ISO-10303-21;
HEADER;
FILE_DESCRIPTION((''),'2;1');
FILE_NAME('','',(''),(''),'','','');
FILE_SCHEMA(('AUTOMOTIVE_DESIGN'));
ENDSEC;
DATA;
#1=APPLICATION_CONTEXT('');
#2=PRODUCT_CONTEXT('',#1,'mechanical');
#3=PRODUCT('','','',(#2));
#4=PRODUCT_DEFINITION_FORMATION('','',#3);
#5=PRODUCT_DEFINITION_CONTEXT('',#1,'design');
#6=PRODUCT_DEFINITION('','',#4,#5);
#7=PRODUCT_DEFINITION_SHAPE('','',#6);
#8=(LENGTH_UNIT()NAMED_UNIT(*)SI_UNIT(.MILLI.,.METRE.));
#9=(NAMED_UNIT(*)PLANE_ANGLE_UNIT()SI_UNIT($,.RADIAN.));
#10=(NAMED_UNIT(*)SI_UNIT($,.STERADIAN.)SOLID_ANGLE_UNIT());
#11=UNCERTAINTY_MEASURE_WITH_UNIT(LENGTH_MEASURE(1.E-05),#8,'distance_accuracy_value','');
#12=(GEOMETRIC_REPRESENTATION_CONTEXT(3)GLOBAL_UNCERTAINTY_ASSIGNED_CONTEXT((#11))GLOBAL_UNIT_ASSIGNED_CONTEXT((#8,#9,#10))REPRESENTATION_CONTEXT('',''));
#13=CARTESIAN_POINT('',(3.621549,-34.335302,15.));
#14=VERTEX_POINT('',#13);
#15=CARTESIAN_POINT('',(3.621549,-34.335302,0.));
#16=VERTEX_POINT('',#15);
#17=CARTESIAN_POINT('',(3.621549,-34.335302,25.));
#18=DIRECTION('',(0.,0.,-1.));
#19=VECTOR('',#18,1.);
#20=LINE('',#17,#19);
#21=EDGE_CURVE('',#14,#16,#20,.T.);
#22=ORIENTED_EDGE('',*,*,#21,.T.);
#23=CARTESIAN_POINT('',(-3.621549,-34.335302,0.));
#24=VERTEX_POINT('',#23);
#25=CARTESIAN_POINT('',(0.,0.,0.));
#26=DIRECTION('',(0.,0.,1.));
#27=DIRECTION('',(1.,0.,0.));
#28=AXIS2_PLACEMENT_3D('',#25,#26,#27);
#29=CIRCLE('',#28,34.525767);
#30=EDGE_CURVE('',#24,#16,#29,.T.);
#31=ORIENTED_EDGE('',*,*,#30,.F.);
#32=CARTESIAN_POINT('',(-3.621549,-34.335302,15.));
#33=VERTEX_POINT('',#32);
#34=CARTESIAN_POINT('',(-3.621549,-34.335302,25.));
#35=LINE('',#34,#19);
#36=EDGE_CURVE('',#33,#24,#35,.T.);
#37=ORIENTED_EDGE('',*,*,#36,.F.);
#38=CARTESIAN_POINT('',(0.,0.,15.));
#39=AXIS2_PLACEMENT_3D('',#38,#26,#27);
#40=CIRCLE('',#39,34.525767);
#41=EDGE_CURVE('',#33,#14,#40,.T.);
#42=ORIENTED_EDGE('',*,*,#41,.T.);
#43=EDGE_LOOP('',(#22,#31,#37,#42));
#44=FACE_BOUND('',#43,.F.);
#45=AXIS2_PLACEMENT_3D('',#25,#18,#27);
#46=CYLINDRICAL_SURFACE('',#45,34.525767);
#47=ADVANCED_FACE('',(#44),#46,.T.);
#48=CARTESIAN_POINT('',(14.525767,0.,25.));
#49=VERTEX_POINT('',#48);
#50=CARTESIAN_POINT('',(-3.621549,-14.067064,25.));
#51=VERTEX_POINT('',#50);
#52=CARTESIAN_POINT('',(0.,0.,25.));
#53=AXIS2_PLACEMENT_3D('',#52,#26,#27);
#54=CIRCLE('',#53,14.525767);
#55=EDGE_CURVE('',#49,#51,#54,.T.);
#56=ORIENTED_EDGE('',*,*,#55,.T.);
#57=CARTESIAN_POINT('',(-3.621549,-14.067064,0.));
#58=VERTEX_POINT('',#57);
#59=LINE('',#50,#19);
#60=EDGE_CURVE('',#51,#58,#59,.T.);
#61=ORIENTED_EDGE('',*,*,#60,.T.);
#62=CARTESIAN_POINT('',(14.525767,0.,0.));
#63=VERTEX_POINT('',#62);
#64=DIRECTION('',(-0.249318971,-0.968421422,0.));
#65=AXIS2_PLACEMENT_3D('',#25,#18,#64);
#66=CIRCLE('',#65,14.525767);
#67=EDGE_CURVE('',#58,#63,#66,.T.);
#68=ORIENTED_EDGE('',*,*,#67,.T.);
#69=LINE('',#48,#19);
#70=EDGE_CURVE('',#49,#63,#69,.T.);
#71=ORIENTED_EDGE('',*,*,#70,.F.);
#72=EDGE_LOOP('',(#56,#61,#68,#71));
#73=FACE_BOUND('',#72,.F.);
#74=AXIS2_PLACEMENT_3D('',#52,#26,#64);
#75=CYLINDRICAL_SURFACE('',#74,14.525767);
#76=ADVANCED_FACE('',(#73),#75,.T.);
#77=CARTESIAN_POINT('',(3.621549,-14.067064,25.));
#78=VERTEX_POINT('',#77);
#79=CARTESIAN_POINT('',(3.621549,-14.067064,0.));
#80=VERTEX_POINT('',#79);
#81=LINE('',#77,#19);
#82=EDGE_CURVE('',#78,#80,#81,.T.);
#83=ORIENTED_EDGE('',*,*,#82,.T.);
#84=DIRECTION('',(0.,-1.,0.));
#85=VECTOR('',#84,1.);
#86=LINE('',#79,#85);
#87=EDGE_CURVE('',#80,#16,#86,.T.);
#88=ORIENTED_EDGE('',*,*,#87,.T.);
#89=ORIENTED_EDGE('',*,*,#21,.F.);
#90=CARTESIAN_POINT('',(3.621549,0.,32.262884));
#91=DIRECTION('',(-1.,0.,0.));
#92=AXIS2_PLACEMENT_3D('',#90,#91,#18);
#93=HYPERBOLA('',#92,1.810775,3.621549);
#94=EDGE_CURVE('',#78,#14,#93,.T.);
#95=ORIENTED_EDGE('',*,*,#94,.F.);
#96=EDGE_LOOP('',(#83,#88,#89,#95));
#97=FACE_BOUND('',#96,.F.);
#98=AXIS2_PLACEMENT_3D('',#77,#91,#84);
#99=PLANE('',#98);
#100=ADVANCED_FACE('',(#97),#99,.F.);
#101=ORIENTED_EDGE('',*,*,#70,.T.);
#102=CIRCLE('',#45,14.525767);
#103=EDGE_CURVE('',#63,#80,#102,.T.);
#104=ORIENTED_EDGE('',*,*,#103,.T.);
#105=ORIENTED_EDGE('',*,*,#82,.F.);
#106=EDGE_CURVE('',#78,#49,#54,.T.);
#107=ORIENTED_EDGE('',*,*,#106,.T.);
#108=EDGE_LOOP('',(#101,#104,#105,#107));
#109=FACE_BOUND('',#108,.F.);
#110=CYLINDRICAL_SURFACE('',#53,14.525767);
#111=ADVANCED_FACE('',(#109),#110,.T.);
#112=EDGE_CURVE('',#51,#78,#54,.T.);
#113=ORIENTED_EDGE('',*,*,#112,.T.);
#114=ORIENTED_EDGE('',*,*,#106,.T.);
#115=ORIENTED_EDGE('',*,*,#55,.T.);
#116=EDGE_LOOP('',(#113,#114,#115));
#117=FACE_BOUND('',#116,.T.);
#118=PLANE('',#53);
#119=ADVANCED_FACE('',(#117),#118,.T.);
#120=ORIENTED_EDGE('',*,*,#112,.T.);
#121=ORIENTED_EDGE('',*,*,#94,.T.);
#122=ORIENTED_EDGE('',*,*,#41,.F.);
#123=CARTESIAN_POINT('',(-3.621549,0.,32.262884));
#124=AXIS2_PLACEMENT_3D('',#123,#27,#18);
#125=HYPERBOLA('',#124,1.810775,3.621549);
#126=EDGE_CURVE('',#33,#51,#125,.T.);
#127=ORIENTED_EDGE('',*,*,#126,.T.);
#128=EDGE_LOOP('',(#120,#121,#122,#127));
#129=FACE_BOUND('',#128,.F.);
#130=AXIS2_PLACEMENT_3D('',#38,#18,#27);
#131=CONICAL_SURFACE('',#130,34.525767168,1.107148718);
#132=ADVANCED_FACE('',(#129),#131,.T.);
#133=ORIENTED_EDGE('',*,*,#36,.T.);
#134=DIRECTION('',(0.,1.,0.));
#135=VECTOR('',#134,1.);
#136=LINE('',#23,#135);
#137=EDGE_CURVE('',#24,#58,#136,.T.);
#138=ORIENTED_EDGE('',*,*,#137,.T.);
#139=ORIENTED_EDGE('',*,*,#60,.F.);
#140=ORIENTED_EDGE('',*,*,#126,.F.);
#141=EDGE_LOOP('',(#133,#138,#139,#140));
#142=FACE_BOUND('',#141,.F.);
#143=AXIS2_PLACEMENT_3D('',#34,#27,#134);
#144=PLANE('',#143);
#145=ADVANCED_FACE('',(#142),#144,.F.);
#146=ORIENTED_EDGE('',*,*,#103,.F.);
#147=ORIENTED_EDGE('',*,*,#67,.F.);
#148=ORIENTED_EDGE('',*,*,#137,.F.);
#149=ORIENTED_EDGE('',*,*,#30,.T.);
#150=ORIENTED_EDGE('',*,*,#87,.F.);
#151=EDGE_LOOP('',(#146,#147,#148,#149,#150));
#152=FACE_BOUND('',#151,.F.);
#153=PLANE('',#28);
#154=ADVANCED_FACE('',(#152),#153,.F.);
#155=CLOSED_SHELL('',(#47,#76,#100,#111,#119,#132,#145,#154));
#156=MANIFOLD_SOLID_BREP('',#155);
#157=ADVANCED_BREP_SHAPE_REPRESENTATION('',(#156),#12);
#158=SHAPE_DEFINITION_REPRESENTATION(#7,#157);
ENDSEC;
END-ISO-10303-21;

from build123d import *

# Parameters (mm, degrees)
F0_R     = 34.5257671678
F1_DEPTH = 25
F2_SIZE2 = 10
F2_SIZE  = 20
F4_DEPTH = 25


with BuildPart() as f1:
    # F0 (on Top) → F1 (new body)
    with BuildSketch(Plane.XY):
        Circle(F0_R)
    extrude(amount=F1_DEPTH)

    # F2
    f2_edges = [f1.edges().sort_by_distance(p)[0] for p in [
        (-34.525767, 0, 25),
    ]]
    f2_side = f1.faces().sort_by_distance((0, 0, 25))[0]
    chamfer(f2_edges, length=F2_SIZE, length2=F2_SIZE2, reference=f2_side)

    # F3 (on face) → F4 (cut)
    with BuildSketch(Plane.XY.offset(25)):
        with BuildLine():
            Line((-3.6215493205, -34.3353022273), (-3.6215493205, -14.0670640978))
            ThreePointArc((-3.6215493205, -14.0670640978), (-8.899217089, 11.4804985525), (14.5257671678, 0))
            ThreePointArc((14.5257671678, 0), (11.4804985525, -8.899217089), (3.6215493205, -14.0670640978))
            Line((3.6215493205, -14.0670640978), (3.6215493205, -34.3353022273))
            ThreePointArc((3.6215493205, -34.3353022273), (25.6618916601, -23.0975304946), (34.5257671678, 0))
            ThreePointArc((34.5257671678, 0), (-23.0975304946, 25.6618916601), (-3.6215493205, -34.3353022273))
        make_face()
    extrude(amount=-F4_DEPTH, mode=Mode.SUBTRACT)


solid = f1.part
